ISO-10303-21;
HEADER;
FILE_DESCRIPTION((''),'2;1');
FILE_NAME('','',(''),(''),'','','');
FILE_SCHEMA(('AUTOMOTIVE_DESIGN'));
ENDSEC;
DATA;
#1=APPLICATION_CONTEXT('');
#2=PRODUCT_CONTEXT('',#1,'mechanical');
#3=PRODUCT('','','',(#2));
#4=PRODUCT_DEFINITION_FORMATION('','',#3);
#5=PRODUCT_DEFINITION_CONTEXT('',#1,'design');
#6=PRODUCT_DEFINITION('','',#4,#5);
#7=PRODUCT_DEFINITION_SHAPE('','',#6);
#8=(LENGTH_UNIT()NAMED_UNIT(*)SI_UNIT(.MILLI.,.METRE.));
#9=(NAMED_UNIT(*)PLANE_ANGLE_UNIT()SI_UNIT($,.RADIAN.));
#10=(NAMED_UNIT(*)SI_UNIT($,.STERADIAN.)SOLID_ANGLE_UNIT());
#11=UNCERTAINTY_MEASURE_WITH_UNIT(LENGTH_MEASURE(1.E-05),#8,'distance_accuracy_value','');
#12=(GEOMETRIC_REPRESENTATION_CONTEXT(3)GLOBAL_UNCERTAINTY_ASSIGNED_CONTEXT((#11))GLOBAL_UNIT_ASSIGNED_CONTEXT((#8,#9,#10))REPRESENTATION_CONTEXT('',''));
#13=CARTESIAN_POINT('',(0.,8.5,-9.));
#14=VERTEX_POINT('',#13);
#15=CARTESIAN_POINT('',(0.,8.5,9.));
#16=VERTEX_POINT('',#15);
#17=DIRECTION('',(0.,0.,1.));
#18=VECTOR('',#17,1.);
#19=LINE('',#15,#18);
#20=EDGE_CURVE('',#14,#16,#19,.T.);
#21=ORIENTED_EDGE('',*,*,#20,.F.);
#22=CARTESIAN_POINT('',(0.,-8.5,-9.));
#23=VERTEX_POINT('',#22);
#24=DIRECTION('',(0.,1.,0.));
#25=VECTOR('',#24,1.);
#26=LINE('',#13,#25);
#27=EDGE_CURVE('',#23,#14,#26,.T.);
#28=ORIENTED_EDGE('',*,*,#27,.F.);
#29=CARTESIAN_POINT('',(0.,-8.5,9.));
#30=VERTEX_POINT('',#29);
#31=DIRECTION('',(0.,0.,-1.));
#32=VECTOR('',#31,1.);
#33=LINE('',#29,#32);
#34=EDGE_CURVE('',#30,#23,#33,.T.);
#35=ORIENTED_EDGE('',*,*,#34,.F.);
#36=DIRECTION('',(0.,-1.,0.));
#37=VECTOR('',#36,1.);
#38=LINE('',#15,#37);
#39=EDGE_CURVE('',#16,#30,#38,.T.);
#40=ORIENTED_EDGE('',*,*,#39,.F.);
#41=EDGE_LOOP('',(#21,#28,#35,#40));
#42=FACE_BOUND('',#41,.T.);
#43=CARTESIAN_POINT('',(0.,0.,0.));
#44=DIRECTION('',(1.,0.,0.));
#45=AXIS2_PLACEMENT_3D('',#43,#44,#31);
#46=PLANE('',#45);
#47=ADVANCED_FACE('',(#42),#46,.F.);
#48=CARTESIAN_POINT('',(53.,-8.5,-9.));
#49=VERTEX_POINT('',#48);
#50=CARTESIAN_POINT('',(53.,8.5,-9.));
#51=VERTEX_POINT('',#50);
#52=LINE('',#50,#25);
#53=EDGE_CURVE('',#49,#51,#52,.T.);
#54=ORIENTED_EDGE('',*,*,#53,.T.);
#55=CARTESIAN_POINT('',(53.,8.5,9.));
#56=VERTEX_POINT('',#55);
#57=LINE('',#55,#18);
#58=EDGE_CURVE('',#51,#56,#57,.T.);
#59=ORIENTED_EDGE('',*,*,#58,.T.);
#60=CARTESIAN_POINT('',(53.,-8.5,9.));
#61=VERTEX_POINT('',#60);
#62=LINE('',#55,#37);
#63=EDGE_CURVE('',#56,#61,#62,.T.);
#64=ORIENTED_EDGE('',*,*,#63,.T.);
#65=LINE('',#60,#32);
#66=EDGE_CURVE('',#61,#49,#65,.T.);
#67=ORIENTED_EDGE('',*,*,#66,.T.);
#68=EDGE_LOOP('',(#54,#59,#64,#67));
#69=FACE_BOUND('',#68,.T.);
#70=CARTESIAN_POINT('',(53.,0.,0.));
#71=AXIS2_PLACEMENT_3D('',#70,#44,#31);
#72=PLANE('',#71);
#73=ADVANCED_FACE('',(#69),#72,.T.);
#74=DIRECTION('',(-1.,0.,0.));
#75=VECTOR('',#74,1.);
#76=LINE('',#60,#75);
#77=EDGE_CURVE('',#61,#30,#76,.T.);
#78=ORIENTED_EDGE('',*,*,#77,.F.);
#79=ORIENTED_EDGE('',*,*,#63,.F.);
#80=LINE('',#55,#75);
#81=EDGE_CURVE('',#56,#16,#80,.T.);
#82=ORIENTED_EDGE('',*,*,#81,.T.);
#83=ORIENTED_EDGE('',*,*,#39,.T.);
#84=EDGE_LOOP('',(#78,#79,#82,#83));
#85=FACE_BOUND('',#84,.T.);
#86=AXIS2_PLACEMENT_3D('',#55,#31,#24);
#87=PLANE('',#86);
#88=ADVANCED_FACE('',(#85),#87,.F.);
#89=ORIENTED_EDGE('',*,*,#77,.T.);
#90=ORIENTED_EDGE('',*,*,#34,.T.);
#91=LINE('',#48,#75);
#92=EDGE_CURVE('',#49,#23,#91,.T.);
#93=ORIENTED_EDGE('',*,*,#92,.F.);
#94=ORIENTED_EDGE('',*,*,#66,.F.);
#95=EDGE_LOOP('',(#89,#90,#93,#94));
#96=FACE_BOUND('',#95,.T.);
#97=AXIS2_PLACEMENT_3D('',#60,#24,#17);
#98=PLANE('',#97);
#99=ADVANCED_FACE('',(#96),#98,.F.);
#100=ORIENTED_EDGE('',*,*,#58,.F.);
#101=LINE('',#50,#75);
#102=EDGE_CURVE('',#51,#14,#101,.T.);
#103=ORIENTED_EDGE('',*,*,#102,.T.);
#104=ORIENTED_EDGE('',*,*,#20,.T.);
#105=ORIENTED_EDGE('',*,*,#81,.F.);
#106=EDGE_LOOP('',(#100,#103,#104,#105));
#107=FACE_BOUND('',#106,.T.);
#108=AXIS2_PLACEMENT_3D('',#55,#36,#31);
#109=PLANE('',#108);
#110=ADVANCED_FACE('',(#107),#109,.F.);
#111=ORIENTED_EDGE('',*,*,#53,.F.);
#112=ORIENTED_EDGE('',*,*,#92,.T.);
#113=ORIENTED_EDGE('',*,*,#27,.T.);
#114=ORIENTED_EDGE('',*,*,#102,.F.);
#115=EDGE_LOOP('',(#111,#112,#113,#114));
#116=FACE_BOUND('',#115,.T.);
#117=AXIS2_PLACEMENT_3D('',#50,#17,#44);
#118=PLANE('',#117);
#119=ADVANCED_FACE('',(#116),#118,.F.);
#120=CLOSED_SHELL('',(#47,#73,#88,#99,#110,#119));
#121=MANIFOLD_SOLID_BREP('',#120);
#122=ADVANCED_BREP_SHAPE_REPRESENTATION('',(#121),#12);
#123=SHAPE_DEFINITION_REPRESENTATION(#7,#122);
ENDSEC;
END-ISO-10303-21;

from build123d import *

# Parameters (mm, degrees)
SKETCH1_W           = 18
SKETCH1_H           = 17
BOSS_EXTRUDE1_DEPTH = 53


with BuildPart() as part:
    # Sketch1 → Boss-Extrude1 (new body)
    with BuildSketch(Plane(origin=(0, 0, 0), x_dir=(0, 0, -1), z_dir=(1, 0, 0))):
        Rectangle(SKETCH1_W, SKETCH1_H)
    extrude(amount=BOSS_EXTRUDE1_DEPTH)


solid = part.part
